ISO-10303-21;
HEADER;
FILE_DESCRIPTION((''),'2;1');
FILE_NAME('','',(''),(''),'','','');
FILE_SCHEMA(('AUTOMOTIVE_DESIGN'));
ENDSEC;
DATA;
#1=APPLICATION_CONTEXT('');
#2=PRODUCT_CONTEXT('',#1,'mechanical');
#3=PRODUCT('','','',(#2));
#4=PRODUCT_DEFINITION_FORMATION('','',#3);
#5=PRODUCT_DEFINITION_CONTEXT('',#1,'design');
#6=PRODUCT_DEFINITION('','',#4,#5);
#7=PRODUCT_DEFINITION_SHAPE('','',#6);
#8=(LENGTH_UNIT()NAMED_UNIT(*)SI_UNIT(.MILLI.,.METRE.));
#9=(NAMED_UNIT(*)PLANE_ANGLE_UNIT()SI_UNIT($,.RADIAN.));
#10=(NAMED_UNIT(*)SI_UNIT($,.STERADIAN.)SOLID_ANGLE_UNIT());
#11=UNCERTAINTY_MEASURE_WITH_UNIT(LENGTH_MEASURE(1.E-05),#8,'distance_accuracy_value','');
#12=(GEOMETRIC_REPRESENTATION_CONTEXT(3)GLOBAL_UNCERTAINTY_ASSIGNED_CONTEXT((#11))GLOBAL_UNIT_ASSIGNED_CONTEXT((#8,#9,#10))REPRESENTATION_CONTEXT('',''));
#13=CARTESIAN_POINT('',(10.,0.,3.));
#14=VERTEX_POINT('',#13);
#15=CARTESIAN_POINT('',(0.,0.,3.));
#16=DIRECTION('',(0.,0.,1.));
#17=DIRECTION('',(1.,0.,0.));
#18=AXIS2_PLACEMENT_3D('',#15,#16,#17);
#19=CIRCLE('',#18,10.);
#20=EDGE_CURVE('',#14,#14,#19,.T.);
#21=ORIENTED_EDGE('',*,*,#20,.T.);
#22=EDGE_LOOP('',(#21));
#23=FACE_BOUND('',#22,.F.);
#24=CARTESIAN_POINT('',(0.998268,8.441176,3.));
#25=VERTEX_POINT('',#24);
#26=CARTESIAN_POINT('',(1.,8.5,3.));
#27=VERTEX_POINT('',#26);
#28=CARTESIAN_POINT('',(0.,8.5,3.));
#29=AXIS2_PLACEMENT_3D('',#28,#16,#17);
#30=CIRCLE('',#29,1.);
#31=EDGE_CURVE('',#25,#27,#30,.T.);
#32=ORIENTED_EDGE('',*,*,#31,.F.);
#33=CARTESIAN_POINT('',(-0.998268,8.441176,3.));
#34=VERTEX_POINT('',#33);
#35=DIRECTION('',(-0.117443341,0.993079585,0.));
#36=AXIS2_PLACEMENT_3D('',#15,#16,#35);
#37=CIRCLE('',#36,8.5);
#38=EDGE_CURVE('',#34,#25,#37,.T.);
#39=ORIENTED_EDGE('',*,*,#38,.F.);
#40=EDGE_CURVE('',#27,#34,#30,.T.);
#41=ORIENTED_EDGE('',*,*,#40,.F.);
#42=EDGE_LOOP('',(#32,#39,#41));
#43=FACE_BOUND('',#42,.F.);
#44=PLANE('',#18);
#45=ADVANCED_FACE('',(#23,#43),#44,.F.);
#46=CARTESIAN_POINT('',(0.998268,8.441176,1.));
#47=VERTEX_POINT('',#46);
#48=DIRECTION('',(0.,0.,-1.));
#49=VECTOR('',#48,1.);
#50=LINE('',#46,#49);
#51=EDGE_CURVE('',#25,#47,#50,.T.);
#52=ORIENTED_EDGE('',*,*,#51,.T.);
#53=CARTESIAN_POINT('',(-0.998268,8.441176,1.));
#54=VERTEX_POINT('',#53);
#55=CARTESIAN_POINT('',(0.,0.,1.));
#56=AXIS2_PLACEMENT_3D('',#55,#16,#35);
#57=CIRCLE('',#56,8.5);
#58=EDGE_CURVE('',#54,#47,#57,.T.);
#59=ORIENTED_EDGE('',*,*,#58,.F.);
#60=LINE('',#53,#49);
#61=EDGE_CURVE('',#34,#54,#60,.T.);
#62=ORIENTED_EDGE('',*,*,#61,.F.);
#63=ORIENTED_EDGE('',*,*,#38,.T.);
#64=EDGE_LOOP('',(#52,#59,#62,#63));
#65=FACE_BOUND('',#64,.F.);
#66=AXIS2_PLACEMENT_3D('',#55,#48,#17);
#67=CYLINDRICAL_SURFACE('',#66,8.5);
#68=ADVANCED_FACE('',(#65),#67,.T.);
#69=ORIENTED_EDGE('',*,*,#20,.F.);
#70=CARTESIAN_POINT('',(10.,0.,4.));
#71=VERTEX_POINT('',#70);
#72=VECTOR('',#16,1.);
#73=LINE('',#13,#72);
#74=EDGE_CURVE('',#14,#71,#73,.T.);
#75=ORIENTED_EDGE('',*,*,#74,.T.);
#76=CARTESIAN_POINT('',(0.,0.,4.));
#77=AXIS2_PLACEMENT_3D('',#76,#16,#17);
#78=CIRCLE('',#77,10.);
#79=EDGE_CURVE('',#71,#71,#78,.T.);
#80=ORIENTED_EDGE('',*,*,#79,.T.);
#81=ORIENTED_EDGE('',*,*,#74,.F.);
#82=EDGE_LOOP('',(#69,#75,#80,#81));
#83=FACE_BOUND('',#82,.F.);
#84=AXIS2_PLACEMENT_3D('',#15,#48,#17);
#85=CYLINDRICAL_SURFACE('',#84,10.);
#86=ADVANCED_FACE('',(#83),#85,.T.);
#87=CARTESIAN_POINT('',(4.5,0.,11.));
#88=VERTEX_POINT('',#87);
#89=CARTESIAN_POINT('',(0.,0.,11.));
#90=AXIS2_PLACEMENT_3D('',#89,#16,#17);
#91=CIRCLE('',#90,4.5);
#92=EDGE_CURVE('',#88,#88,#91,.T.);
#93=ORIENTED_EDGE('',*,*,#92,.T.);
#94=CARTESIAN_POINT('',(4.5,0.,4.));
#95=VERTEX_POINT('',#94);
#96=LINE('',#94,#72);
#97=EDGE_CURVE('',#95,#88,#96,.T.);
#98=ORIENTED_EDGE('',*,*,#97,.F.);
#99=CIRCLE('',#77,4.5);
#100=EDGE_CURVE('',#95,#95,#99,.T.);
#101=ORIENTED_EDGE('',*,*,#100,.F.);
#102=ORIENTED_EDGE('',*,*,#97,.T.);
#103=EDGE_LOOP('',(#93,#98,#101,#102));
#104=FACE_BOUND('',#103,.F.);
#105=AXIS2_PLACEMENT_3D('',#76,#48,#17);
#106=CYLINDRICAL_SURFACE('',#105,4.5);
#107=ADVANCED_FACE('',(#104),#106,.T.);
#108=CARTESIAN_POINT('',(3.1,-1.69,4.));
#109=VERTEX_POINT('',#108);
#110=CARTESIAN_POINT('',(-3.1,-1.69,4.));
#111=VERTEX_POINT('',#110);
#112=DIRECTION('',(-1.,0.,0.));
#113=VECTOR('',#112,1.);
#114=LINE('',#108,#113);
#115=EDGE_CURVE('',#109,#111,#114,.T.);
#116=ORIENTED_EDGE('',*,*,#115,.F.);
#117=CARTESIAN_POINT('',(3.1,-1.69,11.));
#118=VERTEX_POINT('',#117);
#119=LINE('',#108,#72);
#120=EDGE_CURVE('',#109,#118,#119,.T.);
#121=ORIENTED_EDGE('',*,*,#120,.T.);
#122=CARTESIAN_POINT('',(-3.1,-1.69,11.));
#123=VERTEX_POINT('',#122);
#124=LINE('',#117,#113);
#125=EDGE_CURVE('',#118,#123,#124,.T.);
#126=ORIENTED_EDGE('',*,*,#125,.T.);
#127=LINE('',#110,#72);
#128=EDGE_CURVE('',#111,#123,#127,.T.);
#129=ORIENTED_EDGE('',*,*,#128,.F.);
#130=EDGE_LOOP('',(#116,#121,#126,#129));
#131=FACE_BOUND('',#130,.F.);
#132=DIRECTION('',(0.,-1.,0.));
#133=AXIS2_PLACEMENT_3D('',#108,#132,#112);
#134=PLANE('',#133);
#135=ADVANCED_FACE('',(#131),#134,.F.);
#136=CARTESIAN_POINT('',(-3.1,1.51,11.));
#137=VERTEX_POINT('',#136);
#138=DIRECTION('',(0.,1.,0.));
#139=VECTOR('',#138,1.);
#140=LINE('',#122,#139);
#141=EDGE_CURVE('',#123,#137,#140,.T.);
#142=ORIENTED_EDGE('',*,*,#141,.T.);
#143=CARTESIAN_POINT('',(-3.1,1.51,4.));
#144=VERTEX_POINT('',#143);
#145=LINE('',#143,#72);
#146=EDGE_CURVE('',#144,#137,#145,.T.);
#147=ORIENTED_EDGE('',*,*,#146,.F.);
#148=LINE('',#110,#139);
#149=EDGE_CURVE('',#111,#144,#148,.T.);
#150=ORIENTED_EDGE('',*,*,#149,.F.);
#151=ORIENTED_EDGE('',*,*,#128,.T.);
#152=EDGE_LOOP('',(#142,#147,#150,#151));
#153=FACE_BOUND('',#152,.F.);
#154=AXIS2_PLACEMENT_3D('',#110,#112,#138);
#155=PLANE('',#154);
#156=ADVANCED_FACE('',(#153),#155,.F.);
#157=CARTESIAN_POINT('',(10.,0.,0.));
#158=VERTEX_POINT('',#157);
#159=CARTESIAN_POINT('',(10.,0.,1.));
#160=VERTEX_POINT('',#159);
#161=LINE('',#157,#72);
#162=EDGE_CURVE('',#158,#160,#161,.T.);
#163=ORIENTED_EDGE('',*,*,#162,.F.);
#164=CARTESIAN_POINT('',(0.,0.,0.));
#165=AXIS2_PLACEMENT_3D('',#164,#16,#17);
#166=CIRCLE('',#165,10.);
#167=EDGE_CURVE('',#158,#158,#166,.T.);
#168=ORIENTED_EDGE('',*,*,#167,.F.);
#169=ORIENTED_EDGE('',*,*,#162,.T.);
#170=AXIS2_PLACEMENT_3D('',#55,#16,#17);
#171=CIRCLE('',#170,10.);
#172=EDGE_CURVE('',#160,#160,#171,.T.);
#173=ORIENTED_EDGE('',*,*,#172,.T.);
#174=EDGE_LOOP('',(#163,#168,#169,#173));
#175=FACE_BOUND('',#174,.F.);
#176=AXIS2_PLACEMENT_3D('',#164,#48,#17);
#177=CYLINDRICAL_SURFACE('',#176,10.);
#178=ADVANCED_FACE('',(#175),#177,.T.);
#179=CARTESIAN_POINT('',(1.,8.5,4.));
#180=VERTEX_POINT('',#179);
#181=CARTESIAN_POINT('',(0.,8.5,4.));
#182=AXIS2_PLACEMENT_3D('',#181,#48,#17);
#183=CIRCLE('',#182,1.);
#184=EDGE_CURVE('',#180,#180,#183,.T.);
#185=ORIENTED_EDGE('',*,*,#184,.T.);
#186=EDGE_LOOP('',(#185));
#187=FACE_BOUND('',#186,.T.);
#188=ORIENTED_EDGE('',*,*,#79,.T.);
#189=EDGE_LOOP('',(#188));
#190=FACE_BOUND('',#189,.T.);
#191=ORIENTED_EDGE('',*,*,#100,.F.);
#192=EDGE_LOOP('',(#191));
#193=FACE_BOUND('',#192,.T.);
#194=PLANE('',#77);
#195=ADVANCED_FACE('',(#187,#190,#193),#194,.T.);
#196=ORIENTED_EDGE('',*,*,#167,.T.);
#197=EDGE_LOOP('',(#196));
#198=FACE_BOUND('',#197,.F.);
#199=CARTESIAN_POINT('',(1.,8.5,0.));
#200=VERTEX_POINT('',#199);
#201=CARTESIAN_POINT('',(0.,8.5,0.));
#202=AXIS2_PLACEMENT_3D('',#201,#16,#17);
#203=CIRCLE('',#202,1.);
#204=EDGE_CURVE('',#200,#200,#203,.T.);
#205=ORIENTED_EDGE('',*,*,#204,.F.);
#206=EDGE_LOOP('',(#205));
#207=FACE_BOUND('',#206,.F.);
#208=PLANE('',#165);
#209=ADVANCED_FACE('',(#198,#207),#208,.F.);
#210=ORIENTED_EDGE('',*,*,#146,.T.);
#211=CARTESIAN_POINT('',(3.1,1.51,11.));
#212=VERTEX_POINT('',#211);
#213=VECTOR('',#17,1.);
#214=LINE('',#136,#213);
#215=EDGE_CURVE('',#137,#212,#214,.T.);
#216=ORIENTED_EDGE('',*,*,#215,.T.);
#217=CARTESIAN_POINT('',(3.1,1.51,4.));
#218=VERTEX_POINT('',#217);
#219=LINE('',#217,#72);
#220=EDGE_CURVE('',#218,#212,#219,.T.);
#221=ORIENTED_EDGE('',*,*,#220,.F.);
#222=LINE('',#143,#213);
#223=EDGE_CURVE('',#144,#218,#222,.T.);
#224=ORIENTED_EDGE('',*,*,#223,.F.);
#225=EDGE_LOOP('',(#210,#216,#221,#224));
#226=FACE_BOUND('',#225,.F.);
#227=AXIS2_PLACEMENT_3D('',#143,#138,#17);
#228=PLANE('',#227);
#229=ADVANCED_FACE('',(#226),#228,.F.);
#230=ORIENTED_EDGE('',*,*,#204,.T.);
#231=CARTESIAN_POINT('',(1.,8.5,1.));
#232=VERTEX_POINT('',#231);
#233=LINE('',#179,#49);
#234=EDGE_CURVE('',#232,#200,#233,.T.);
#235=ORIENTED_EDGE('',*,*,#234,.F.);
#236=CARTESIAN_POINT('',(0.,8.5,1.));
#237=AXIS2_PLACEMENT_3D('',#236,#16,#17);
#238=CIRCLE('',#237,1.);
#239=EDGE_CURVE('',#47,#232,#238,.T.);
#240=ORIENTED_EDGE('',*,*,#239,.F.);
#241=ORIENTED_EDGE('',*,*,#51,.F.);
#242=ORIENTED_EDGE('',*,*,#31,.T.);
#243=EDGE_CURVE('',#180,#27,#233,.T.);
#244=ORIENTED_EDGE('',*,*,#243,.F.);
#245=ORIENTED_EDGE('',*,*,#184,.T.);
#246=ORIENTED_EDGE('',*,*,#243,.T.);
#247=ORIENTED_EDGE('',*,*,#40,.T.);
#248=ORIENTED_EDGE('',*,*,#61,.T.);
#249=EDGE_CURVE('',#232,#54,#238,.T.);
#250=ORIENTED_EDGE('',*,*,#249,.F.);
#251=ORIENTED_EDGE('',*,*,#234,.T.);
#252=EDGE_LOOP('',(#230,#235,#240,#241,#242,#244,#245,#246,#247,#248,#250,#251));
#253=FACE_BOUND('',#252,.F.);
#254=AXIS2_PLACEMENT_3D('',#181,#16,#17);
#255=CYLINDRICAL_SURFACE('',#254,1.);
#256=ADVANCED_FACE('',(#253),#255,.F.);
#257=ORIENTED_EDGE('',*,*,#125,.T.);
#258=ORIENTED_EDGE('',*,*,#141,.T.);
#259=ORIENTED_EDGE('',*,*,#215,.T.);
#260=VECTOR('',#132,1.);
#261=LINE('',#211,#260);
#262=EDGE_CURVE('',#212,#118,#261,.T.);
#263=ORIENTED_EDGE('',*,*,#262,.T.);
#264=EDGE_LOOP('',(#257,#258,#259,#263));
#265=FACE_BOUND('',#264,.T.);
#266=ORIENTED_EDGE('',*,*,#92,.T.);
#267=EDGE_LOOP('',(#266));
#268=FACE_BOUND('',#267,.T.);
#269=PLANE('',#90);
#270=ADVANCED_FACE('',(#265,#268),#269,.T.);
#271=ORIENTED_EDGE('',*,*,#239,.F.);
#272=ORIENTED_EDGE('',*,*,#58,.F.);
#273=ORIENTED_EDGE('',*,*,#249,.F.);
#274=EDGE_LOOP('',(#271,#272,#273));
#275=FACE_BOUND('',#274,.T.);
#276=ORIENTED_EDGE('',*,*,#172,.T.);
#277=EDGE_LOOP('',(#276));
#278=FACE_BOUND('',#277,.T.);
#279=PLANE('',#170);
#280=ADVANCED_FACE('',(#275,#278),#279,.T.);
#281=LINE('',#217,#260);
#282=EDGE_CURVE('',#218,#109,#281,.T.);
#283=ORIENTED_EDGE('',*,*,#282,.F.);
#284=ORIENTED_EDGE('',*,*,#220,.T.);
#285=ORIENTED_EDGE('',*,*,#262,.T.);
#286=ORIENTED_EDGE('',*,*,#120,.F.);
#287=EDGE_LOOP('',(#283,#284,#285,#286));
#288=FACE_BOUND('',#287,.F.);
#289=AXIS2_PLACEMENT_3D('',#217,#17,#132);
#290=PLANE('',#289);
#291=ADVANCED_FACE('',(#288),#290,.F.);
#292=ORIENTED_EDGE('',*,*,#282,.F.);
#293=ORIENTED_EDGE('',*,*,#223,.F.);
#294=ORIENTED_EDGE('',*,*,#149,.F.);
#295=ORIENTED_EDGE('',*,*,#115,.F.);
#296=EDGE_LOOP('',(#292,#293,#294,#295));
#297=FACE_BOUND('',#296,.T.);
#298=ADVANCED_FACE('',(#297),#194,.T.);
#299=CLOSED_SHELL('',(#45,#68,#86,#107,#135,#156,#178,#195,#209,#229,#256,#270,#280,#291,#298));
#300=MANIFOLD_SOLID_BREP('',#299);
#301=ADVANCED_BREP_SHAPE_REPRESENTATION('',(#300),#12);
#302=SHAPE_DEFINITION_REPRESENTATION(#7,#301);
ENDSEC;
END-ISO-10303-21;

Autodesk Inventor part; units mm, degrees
ref_plane "YZ Plane" through (0, 0, 0) normal (1, 0, 0) x (0, 1, 0)
ref_plane "XZ Plane" through (0, 0, 0) normal (0, 1, 0) x (-1, 0, 0)
ref_plane "XY Plane" through (0, 0, 0) normal (0, 0, 1) x (1, 0, 0)
sketch "Sketch1" plane through (0, 0, 0) normal (0, 0, 1) x (1, 0, 0)
  circle A0 centre (0, 0) radius 10
  circle A1 centre (0, 0) radius 8.5
  dimension "d0" = 20
  dimension "d1" = 17
extrude "Extrusion1" add sketch "Sketch1" along normal blind 1 contours A0 | A1
sketch "Sketch2" plane through (0, 0, 1) normal (0, 0, 1) x (1, 0, 0)
  circle A0 centre (0, 0) radius 8.5
  dimension "d4" = 17
extrude "Extrusion2" add sketch "Sketch2" along normal blind 2
sketch "Sketch3" plane through (0, 0, 3) normal (0, 0, 1) x (1, 0, 0)
  circle A0 centre (0, 0) radius 10
extrude "Extrusion3" add sketch "Sketch3" along normal blind 1
sketch "Sketch4" plane through (0, 0, 4) normal (0, 0, 1) x (1, 0, 0)
  circle A0 centre (0, 0) radius 4.5
  line L0 (-3.1, 1.51) -> (3.1, 1.51)
  line L1 (3.1, 1.51) -> (3.1, -1.69)
  line L2 (3.1, -1.69) -> (-3.1, -1.69)
  line L3 (-3.1, -1.69) -> (-3.1, 1.51)
  dimension "d9" = 9
  dimension "d10" = 6.2
  dimension "d11" = 3.2
  dimension "d12" = 1.51
  dimension "d13" = 3.1
extrude "Extrusion4" add sketch "Sketch4" along normal blind 7
sketch "Sketch5" plane through (0, 0, 4) normal (0, 0, 1) x (1, 0, 0)
  circle A0 centre (0, 0) radius 8.5 projected
  circle A1 centre (0, 8.5) radius 1
  dimension "d16" = 2
extrude "Extrusion5" cut sketch "Sketch5" against normal blind 7 contours A1 A0 | A0 A1 picked at (0.0387, 8.1646) picked at (0.0312, 8.8275)
properties part number "Stpper Wheel 2"
